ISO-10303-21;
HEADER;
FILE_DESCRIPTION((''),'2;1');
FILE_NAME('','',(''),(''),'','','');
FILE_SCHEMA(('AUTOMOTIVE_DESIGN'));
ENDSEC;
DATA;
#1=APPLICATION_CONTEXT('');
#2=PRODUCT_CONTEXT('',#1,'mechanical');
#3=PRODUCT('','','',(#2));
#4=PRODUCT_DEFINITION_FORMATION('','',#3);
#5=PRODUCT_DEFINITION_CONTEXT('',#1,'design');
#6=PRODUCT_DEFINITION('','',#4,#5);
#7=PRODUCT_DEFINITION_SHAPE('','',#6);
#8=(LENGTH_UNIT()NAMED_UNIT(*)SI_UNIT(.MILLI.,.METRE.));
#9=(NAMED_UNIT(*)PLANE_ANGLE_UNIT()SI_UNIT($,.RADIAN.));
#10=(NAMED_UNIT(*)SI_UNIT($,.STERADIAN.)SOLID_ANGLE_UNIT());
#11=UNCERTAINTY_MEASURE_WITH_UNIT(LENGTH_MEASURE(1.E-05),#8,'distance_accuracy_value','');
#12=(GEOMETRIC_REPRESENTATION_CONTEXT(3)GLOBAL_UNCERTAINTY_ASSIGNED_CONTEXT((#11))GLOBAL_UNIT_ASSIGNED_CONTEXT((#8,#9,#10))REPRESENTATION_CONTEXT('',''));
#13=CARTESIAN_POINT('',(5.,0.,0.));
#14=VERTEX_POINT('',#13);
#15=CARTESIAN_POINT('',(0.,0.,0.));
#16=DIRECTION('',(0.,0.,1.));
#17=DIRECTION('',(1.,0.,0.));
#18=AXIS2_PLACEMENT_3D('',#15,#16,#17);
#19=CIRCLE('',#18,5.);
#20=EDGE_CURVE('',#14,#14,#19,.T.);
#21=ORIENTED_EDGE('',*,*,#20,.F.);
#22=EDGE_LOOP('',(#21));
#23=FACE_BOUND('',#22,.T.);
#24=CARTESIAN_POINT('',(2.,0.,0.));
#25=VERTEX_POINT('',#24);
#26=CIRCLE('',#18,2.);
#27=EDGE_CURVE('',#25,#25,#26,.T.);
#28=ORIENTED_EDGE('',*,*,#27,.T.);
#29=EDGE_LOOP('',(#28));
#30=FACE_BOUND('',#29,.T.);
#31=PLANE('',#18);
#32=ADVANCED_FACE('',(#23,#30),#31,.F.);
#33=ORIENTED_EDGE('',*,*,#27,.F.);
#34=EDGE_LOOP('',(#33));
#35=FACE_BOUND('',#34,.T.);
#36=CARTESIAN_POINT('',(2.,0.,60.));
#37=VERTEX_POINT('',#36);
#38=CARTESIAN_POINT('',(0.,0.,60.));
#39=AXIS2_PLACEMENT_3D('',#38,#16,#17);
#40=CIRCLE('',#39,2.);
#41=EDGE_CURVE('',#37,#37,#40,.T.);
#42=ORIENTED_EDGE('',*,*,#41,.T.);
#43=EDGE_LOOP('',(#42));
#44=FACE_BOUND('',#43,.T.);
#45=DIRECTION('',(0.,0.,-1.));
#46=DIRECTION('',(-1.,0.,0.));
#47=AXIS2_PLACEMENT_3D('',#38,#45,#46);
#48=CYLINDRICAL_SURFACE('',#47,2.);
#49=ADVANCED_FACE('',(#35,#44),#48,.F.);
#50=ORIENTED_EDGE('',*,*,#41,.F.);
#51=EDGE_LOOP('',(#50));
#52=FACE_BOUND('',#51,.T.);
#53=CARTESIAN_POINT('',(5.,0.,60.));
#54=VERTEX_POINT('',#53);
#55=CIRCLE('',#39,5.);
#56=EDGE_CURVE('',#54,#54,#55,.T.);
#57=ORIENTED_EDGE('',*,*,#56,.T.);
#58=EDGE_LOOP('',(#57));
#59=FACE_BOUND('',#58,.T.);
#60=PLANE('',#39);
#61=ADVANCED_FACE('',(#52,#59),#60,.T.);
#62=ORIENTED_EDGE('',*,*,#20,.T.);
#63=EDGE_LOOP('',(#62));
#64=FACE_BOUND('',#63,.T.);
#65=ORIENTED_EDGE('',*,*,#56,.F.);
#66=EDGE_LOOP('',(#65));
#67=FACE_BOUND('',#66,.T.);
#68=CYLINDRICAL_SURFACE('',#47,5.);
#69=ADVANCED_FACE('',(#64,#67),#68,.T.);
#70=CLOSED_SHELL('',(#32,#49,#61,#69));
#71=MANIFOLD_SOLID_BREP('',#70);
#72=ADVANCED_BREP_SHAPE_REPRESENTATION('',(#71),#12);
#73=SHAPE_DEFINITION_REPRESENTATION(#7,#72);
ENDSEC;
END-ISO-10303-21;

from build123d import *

# Parameters (mm, degrees)
ESBO_O1_R                = 5
ESBO_O1_R_2              = 2
RESSALTO_EXTRUS_O1_DEPTH = 60


with BuildPart() as part:
    # Esboço1 → Ressalto-extrusão1 (new body)
    with BuildSketch(Plane.XY):
        Circle(ESBO_O1_R)
        Circle(ESBO_O1_R_2, mode=Mode.SUBTRACT)
    extrude(amount=RESSALTO_EXTRUS_O1_DEPTH)


solid = part.part
